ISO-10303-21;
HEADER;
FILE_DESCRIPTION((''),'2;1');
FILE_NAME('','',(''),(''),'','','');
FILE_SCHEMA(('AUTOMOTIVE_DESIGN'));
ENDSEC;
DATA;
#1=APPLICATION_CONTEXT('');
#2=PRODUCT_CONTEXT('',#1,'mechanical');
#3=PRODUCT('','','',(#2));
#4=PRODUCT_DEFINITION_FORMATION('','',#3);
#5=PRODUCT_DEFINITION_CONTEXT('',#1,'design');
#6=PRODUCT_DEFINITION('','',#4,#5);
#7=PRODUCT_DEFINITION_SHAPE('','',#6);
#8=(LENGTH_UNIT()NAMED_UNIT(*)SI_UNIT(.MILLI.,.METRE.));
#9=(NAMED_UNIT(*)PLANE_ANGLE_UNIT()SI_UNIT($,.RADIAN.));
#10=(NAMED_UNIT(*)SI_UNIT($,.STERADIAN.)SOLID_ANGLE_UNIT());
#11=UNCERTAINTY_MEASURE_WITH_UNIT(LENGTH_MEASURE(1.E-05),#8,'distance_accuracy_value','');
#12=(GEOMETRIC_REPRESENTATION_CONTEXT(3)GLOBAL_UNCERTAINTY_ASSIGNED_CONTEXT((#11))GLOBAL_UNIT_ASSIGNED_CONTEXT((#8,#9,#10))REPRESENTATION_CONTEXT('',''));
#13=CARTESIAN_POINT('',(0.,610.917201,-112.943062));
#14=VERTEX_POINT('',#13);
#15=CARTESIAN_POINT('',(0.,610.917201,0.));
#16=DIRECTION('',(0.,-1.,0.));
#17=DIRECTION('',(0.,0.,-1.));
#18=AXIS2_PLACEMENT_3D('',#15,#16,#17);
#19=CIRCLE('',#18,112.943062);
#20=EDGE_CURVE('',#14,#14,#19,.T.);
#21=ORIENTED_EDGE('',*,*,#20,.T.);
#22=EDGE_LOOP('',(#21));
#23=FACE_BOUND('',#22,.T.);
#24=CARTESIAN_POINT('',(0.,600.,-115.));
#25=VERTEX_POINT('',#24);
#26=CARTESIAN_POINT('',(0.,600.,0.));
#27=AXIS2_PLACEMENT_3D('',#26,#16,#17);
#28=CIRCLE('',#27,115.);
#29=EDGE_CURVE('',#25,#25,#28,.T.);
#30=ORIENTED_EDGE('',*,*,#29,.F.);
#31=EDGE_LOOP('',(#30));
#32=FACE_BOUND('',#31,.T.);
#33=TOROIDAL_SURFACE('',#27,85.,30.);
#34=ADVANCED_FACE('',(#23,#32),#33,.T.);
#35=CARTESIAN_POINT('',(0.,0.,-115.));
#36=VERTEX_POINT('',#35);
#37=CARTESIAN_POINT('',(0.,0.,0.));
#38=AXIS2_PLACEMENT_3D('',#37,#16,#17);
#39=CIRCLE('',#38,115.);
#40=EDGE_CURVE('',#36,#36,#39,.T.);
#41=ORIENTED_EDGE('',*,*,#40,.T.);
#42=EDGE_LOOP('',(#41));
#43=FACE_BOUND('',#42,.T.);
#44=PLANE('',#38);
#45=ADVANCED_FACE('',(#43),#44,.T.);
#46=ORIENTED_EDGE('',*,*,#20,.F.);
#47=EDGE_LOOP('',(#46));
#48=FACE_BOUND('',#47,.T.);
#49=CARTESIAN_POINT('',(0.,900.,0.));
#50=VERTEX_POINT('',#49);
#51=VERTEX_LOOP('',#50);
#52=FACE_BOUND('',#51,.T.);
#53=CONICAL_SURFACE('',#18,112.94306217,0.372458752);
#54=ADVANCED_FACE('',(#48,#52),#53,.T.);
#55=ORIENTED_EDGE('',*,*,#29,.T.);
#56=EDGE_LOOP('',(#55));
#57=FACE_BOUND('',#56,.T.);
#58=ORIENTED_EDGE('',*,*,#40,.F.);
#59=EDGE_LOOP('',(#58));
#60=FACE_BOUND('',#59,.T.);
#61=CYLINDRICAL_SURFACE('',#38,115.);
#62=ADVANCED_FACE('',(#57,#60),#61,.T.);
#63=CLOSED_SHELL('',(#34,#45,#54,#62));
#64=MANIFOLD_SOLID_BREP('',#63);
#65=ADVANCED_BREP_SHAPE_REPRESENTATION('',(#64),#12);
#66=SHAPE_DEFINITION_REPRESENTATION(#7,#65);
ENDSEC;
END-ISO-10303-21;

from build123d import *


with BuildPart() as part:
    # Szkic1 → Obrót1 (revolve)
    with BuildSketch(Plane.XY, mode=Mode.PRIVATE) as obr_t1_sk:
        with BuildLine():
            Line((0, 0), (0, 900))
            Line((0, 900), (112.94306217, 610.917200948))
            ThreePointArc((112.94306217, 610.917200948), (114.481281053, 605.554643773), (115, 600))
            Line((115, 600), (115, 0))
            Line((115, 0), (0, 0))
        make_face()
    revolve(obr_t1_sk.sketch.rotate(Axis((0, 0, 0), (0, 1, 0)), 90), axis=Axis((0, 0, 0), (0, 1, 0)))


solid = part.part
